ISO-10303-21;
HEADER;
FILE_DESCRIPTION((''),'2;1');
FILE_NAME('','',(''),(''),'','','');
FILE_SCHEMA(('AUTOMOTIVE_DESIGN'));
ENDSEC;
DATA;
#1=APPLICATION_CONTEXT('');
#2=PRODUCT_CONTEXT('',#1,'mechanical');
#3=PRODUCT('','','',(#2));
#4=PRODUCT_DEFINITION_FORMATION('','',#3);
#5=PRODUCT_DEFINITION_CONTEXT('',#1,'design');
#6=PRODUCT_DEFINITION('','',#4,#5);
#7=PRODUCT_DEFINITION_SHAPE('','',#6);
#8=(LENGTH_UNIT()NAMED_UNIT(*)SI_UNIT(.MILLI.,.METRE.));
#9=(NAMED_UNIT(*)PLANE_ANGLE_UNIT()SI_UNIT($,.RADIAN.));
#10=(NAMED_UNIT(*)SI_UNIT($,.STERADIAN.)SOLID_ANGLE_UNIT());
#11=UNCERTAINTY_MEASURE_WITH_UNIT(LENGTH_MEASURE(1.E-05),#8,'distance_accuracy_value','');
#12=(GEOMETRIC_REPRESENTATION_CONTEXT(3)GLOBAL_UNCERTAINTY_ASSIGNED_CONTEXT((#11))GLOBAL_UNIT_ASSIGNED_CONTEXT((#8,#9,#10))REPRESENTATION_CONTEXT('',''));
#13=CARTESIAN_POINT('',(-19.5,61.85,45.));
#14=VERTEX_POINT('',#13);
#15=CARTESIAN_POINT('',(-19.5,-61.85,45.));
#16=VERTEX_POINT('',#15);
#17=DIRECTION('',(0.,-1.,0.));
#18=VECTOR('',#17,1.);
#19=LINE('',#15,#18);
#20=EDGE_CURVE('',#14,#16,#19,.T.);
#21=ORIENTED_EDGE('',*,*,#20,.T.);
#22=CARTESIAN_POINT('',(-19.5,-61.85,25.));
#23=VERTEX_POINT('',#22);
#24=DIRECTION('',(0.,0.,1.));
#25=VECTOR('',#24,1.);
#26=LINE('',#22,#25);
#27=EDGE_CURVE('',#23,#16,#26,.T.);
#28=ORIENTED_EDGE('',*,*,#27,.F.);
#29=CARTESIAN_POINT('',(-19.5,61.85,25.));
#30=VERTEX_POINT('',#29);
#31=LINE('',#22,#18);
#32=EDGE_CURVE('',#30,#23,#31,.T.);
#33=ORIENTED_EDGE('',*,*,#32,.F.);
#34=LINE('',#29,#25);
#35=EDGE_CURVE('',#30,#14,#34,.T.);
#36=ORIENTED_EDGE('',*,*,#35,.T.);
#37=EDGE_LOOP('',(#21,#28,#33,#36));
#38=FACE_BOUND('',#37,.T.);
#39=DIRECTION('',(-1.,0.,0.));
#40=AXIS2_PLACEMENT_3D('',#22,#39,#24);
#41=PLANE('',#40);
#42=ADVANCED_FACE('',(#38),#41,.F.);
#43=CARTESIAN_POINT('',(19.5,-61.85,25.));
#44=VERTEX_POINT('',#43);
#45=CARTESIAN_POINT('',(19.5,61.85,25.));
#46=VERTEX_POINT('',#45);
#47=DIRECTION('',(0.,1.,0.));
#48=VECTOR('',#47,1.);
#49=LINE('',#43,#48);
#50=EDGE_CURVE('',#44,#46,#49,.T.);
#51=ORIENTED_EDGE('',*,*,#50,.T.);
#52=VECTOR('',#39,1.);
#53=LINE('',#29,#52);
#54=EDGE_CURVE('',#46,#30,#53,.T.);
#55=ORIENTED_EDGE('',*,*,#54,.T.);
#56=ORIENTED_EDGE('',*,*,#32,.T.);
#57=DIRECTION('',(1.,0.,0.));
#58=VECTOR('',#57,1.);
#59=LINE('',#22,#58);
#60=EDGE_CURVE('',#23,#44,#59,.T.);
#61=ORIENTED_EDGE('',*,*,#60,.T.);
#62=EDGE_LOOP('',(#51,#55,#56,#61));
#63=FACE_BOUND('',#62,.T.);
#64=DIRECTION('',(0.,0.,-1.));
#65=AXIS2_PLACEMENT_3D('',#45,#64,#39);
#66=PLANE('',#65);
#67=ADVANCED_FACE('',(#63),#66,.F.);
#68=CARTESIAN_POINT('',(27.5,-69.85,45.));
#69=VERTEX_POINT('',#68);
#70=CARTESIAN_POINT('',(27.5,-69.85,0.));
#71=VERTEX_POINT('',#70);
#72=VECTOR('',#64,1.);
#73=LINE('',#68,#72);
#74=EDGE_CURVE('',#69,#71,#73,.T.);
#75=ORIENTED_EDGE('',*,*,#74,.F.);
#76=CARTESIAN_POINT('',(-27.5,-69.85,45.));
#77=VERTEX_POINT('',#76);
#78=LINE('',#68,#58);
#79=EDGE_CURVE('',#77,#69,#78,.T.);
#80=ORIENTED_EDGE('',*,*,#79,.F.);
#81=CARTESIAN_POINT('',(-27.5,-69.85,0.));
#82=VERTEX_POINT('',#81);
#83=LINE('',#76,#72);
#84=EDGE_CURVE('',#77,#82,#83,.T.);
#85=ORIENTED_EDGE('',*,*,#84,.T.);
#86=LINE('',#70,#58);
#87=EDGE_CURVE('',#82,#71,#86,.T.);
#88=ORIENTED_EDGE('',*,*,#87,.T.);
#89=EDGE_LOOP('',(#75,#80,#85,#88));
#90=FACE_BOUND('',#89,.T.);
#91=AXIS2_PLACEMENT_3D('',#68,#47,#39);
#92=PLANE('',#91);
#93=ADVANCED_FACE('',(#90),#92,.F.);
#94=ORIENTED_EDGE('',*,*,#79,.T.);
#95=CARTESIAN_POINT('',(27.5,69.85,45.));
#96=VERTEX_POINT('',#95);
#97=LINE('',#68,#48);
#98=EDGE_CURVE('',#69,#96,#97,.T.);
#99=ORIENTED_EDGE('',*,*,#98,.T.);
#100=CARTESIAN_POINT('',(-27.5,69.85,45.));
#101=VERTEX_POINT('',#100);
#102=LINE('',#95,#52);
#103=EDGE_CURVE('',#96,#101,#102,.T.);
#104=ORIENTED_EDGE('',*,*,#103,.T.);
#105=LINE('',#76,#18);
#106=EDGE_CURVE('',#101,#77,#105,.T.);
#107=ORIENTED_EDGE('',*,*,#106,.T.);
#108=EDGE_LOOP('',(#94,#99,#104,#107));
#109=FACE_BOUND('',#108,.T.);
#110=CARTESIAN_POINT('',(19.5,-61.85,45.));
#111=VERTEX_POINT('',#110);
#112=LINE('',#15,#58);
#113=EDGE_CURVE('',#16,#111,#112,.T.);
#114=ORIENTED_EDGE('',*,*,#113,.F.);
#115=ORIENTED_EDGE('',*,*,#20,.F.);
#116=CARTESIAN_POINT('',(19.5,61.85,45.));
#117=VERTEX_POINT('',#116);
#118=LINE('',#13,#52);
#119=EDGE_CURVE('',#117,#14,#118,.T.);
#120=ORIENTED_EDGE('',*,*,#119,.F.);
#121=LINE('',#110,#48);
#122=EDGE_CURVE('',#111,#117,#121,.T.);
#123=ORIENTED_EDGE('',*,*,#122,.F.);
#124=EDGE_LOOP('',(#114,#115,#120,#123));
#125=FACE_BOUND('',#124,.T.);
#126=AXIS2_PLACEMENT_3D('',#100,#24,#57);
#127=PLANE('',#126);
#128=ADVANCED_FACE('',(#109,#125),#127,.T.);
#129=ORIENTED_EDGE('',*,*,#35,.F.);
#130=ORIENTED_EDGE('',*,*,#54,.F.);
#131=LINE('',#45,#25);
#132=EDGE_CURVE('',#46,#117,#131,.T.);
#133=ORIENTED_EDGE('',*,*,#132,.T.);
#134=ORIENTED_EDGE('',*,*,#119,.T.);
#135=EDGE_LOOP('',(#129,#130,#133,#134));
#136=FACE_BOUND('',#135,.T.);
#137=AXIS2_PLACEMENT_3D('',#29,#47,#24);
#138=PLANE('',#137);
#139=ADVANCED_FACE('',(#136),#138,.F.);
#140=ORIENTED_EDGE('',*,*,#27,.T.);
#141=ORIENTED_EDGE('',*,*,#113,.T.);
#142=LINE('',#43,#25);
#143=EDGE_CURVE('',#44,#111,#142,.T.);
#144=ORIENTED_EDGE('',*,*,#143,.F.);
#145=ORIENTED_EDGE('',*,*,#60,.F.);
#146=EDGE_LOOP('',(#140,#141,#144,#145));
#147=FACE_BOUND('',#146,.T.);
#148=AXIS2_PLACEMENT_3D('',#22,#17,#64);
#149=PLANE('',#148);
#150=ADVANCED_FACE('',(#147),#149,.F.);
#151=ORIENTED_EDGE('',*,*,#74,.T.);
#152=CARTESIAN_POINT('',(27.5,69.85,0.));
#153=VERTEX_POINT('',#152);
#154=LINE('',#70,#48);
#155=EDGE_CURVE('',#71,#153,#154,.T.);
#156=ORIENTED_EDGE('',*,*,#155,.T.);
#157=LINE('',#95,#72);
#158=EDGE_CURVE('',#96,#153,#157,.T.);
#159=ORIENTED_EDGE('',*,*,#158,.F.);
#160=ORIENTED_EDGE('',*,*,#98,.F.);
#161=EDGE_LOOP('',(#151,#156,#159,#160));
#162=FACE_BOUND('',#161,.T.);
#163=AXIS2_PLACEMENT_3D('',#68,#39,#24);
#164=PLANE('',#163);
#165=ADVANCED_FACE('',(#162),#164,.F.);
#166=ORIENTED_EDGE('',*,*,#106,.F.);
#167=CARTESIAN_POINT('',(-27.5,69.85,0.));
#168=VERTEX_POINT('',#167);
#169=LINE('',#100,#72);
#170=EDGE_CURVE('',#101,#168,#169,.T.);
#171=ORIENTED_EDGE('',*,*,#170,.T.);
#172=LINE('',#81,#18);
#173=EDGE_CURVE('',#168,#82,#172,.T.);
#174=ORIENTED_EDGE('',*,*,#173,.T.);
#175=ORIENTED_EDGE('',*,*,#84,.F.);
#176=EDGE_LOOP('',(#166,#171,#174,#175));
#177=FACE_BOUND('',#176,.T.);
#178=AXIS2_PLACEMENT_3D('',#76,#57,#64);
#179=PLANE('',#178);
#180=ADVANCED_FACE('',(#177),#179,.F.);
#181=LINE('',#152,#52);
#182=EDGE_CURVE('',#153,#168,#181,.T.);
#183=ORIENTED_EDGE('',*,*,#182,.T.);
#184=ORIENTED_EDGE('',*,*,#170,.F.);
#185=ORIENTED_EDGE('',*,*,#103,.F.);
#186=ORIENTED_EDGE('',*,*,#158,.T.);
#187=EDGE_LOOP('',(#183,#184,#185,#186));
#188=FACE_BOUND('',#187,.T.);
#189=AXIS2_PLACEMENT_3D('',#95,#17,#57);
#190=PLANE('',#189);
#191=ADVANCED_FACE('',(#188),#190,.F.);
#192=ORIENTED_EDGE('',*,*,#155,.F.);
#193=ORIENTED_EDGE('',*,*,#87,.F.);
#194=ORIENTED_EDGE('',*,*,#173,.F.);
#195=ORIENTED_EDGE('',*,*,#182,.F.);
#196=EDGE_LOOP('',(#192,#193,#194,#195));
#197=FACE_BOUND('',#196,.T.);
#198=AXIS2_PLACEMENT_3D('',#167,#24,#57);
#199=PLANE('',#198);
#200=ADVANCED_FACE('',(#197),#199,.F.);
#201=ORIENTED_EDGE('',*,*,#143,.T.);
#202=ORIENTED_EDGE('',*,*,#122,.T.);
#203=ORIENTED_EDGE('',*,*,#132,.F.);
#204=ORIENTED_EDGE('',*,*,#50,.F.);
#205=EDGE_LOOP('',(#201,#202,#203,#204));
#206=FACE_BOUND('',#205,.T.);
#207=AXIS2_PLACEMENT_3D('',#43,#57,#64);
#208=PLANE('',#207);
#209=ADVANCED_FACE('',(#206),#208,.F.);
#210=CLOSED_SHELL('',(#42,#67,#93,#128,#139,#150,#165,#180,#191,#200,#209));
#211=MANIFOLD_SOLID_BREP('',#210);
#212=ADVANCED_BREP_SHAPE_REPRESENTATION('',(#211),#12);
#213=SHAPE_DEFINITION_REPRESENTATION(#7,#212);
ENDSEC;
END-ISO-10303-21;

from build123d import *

# Parameters (mm, degrees)
SKETCH1_W           = 55
SKETCH1_H           = 139.7
BOSS_EXTRUDE1_DEPTH = 45
SKETCH2_W           = 39
SKETCH2_H           = 123.7
CUT_EXTRUDE1_DEPTH  = 20


with BuildPart() as part:
    # Sketch1 → Boss-Extrude1 (new body)
    with BuildSketch(Plane.XY):
        Rectangle(SKETCH1_W, SKETCH1_H)
    extrude(amount=BOSS_EXTRUDE1_DEPTH)

    # Sketch2 → Cut-Extrude1 (cut)
    with BuildSketch(Plane.XY.offset(45)):
        Rectangle(SKETCH2_W, SKETCH2_H)
    extrude(amount=-CUT_EXTRUDE1_DEPTH, mode=Mode.SUBTRACT)


solid = part.part
